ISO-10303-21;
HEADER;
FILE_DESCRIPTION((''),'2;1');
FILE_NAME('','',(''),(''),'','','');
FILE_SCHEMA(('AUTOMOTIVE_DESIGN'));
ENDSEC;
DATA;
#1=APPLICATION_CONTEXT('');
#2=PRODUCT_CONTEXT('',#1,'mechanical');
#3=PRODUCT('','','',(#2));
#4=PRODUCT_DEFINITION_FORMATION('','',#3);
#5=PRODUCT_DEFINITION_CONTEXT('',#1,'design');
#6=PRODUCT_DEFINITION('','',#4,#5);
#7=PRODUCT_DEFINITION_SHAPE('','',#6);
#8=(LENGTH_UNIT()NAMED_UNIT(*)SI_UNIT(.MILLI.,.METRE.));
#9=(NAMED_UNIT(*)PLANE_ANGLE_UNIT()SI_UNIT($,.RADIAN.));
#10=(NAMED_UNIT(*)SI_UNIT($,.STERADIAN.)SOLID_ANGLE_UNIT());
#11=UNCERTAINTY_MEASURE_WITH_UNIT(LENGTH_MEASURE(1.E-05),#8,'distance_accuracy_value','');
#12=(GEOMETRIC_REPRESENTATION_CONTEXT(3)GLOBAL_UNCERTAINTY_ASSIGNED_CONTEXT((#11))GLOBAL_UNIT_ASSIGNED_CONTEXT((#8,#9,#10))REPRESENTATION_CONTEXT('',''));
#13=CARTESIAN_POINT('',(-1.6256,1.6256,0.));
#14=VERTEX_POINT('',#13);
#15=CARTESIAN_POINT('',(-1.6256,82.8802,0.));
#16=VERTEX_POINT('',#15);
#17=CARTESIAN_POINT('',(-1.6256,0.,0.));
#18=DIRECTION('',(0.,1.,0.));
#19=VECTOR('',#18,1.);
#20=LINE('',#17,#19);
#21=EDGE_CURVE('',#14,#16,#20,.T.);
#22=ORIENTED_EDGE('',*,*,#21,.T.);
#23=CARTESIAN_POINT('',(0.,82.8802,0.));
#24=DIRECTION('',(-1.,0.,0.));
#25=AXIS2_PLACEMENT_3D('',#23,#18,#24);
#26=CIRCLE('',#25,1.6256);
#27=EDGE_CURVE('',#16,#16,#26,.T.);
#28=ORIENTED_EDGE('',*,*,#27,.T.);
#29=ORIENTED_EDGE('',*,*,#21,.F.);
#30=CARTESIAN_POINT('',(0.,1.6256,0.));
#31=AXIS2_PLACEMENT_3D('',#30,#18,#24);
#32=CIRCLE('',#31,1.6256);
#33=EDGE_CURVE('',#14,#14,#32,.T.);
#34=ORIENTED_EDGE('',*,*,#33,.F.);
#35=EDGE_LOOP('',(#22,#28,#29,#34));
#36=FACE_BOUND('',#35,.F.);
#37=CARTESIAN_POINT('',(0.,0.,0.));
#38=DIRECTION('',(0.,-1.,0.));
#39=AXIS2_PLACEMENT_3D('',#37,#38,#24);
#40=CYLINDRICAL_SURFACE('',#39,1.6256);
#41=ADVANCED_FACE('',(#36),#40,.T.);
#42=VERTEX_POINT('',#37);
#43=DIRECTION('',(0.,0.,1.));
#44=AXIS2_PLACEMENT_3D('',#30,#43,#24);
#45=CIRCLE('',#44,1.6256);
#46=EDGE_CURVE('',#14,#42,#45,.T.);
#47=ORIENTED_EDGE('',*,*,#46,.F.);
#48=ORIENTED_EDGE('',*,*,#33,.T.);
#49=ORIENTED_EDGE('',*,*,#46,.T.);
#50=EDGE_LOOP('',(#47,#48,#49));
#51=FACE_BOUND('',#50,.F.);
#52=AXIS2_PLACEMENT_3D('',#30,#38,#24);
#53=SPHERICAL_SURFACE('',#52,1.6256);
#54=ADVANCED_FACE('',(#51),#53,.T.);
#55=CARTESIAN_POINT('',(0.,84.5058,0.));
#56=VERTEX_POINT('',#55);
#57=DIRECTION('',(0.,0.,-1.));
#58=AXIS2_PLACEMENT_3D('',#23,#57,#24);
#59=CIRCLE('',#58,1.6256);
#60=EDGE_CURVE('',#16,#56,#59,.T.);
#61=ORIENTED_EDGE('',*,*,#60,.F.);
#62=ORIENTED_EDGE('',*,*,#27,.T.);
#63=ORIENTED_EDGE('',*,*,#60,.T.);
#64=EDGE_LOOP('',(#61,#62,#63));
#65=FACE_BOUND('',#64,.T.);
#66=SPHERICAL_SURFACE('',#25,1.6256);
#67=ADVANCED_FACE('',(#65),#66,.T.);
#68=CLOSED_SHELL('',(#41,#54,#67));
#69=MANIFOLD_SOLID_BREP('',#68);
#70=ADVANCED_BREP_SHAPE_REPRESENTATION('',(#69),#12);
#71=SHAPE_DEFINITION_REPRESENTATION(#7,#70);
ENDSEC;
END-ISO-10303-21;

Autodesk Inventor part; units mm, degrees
ref_plane "YZ Plane" through (0, 0, 0) normal (1, 0, 0) x (0, 1, 0)
ref_plane "XY Plane" through (0, 0, 0) normal (0, 0, 1) x (1, 0, 0)
sketch "Sketch1" plane through (0, 0, 0) normal (0, 1, 0) x (-1, 0, 0)
  circle A0 centre (0, 0) radius 1.6256
  dimension "d0" = 3.2512
extrude "Extrusion1" add sketch "Sketch1" along normal blind 84.5058
fillet "Fillet1" radius 1.6256 2 edges at (1.6256, 84.5058, 0) (1.6256, 0, 0)
ref_plane "Work Plane1" through (0, 84.5058, 0) normal (0, 1, 0) x (-1, 0, 0)
properties part number "ball bearing replacement"
